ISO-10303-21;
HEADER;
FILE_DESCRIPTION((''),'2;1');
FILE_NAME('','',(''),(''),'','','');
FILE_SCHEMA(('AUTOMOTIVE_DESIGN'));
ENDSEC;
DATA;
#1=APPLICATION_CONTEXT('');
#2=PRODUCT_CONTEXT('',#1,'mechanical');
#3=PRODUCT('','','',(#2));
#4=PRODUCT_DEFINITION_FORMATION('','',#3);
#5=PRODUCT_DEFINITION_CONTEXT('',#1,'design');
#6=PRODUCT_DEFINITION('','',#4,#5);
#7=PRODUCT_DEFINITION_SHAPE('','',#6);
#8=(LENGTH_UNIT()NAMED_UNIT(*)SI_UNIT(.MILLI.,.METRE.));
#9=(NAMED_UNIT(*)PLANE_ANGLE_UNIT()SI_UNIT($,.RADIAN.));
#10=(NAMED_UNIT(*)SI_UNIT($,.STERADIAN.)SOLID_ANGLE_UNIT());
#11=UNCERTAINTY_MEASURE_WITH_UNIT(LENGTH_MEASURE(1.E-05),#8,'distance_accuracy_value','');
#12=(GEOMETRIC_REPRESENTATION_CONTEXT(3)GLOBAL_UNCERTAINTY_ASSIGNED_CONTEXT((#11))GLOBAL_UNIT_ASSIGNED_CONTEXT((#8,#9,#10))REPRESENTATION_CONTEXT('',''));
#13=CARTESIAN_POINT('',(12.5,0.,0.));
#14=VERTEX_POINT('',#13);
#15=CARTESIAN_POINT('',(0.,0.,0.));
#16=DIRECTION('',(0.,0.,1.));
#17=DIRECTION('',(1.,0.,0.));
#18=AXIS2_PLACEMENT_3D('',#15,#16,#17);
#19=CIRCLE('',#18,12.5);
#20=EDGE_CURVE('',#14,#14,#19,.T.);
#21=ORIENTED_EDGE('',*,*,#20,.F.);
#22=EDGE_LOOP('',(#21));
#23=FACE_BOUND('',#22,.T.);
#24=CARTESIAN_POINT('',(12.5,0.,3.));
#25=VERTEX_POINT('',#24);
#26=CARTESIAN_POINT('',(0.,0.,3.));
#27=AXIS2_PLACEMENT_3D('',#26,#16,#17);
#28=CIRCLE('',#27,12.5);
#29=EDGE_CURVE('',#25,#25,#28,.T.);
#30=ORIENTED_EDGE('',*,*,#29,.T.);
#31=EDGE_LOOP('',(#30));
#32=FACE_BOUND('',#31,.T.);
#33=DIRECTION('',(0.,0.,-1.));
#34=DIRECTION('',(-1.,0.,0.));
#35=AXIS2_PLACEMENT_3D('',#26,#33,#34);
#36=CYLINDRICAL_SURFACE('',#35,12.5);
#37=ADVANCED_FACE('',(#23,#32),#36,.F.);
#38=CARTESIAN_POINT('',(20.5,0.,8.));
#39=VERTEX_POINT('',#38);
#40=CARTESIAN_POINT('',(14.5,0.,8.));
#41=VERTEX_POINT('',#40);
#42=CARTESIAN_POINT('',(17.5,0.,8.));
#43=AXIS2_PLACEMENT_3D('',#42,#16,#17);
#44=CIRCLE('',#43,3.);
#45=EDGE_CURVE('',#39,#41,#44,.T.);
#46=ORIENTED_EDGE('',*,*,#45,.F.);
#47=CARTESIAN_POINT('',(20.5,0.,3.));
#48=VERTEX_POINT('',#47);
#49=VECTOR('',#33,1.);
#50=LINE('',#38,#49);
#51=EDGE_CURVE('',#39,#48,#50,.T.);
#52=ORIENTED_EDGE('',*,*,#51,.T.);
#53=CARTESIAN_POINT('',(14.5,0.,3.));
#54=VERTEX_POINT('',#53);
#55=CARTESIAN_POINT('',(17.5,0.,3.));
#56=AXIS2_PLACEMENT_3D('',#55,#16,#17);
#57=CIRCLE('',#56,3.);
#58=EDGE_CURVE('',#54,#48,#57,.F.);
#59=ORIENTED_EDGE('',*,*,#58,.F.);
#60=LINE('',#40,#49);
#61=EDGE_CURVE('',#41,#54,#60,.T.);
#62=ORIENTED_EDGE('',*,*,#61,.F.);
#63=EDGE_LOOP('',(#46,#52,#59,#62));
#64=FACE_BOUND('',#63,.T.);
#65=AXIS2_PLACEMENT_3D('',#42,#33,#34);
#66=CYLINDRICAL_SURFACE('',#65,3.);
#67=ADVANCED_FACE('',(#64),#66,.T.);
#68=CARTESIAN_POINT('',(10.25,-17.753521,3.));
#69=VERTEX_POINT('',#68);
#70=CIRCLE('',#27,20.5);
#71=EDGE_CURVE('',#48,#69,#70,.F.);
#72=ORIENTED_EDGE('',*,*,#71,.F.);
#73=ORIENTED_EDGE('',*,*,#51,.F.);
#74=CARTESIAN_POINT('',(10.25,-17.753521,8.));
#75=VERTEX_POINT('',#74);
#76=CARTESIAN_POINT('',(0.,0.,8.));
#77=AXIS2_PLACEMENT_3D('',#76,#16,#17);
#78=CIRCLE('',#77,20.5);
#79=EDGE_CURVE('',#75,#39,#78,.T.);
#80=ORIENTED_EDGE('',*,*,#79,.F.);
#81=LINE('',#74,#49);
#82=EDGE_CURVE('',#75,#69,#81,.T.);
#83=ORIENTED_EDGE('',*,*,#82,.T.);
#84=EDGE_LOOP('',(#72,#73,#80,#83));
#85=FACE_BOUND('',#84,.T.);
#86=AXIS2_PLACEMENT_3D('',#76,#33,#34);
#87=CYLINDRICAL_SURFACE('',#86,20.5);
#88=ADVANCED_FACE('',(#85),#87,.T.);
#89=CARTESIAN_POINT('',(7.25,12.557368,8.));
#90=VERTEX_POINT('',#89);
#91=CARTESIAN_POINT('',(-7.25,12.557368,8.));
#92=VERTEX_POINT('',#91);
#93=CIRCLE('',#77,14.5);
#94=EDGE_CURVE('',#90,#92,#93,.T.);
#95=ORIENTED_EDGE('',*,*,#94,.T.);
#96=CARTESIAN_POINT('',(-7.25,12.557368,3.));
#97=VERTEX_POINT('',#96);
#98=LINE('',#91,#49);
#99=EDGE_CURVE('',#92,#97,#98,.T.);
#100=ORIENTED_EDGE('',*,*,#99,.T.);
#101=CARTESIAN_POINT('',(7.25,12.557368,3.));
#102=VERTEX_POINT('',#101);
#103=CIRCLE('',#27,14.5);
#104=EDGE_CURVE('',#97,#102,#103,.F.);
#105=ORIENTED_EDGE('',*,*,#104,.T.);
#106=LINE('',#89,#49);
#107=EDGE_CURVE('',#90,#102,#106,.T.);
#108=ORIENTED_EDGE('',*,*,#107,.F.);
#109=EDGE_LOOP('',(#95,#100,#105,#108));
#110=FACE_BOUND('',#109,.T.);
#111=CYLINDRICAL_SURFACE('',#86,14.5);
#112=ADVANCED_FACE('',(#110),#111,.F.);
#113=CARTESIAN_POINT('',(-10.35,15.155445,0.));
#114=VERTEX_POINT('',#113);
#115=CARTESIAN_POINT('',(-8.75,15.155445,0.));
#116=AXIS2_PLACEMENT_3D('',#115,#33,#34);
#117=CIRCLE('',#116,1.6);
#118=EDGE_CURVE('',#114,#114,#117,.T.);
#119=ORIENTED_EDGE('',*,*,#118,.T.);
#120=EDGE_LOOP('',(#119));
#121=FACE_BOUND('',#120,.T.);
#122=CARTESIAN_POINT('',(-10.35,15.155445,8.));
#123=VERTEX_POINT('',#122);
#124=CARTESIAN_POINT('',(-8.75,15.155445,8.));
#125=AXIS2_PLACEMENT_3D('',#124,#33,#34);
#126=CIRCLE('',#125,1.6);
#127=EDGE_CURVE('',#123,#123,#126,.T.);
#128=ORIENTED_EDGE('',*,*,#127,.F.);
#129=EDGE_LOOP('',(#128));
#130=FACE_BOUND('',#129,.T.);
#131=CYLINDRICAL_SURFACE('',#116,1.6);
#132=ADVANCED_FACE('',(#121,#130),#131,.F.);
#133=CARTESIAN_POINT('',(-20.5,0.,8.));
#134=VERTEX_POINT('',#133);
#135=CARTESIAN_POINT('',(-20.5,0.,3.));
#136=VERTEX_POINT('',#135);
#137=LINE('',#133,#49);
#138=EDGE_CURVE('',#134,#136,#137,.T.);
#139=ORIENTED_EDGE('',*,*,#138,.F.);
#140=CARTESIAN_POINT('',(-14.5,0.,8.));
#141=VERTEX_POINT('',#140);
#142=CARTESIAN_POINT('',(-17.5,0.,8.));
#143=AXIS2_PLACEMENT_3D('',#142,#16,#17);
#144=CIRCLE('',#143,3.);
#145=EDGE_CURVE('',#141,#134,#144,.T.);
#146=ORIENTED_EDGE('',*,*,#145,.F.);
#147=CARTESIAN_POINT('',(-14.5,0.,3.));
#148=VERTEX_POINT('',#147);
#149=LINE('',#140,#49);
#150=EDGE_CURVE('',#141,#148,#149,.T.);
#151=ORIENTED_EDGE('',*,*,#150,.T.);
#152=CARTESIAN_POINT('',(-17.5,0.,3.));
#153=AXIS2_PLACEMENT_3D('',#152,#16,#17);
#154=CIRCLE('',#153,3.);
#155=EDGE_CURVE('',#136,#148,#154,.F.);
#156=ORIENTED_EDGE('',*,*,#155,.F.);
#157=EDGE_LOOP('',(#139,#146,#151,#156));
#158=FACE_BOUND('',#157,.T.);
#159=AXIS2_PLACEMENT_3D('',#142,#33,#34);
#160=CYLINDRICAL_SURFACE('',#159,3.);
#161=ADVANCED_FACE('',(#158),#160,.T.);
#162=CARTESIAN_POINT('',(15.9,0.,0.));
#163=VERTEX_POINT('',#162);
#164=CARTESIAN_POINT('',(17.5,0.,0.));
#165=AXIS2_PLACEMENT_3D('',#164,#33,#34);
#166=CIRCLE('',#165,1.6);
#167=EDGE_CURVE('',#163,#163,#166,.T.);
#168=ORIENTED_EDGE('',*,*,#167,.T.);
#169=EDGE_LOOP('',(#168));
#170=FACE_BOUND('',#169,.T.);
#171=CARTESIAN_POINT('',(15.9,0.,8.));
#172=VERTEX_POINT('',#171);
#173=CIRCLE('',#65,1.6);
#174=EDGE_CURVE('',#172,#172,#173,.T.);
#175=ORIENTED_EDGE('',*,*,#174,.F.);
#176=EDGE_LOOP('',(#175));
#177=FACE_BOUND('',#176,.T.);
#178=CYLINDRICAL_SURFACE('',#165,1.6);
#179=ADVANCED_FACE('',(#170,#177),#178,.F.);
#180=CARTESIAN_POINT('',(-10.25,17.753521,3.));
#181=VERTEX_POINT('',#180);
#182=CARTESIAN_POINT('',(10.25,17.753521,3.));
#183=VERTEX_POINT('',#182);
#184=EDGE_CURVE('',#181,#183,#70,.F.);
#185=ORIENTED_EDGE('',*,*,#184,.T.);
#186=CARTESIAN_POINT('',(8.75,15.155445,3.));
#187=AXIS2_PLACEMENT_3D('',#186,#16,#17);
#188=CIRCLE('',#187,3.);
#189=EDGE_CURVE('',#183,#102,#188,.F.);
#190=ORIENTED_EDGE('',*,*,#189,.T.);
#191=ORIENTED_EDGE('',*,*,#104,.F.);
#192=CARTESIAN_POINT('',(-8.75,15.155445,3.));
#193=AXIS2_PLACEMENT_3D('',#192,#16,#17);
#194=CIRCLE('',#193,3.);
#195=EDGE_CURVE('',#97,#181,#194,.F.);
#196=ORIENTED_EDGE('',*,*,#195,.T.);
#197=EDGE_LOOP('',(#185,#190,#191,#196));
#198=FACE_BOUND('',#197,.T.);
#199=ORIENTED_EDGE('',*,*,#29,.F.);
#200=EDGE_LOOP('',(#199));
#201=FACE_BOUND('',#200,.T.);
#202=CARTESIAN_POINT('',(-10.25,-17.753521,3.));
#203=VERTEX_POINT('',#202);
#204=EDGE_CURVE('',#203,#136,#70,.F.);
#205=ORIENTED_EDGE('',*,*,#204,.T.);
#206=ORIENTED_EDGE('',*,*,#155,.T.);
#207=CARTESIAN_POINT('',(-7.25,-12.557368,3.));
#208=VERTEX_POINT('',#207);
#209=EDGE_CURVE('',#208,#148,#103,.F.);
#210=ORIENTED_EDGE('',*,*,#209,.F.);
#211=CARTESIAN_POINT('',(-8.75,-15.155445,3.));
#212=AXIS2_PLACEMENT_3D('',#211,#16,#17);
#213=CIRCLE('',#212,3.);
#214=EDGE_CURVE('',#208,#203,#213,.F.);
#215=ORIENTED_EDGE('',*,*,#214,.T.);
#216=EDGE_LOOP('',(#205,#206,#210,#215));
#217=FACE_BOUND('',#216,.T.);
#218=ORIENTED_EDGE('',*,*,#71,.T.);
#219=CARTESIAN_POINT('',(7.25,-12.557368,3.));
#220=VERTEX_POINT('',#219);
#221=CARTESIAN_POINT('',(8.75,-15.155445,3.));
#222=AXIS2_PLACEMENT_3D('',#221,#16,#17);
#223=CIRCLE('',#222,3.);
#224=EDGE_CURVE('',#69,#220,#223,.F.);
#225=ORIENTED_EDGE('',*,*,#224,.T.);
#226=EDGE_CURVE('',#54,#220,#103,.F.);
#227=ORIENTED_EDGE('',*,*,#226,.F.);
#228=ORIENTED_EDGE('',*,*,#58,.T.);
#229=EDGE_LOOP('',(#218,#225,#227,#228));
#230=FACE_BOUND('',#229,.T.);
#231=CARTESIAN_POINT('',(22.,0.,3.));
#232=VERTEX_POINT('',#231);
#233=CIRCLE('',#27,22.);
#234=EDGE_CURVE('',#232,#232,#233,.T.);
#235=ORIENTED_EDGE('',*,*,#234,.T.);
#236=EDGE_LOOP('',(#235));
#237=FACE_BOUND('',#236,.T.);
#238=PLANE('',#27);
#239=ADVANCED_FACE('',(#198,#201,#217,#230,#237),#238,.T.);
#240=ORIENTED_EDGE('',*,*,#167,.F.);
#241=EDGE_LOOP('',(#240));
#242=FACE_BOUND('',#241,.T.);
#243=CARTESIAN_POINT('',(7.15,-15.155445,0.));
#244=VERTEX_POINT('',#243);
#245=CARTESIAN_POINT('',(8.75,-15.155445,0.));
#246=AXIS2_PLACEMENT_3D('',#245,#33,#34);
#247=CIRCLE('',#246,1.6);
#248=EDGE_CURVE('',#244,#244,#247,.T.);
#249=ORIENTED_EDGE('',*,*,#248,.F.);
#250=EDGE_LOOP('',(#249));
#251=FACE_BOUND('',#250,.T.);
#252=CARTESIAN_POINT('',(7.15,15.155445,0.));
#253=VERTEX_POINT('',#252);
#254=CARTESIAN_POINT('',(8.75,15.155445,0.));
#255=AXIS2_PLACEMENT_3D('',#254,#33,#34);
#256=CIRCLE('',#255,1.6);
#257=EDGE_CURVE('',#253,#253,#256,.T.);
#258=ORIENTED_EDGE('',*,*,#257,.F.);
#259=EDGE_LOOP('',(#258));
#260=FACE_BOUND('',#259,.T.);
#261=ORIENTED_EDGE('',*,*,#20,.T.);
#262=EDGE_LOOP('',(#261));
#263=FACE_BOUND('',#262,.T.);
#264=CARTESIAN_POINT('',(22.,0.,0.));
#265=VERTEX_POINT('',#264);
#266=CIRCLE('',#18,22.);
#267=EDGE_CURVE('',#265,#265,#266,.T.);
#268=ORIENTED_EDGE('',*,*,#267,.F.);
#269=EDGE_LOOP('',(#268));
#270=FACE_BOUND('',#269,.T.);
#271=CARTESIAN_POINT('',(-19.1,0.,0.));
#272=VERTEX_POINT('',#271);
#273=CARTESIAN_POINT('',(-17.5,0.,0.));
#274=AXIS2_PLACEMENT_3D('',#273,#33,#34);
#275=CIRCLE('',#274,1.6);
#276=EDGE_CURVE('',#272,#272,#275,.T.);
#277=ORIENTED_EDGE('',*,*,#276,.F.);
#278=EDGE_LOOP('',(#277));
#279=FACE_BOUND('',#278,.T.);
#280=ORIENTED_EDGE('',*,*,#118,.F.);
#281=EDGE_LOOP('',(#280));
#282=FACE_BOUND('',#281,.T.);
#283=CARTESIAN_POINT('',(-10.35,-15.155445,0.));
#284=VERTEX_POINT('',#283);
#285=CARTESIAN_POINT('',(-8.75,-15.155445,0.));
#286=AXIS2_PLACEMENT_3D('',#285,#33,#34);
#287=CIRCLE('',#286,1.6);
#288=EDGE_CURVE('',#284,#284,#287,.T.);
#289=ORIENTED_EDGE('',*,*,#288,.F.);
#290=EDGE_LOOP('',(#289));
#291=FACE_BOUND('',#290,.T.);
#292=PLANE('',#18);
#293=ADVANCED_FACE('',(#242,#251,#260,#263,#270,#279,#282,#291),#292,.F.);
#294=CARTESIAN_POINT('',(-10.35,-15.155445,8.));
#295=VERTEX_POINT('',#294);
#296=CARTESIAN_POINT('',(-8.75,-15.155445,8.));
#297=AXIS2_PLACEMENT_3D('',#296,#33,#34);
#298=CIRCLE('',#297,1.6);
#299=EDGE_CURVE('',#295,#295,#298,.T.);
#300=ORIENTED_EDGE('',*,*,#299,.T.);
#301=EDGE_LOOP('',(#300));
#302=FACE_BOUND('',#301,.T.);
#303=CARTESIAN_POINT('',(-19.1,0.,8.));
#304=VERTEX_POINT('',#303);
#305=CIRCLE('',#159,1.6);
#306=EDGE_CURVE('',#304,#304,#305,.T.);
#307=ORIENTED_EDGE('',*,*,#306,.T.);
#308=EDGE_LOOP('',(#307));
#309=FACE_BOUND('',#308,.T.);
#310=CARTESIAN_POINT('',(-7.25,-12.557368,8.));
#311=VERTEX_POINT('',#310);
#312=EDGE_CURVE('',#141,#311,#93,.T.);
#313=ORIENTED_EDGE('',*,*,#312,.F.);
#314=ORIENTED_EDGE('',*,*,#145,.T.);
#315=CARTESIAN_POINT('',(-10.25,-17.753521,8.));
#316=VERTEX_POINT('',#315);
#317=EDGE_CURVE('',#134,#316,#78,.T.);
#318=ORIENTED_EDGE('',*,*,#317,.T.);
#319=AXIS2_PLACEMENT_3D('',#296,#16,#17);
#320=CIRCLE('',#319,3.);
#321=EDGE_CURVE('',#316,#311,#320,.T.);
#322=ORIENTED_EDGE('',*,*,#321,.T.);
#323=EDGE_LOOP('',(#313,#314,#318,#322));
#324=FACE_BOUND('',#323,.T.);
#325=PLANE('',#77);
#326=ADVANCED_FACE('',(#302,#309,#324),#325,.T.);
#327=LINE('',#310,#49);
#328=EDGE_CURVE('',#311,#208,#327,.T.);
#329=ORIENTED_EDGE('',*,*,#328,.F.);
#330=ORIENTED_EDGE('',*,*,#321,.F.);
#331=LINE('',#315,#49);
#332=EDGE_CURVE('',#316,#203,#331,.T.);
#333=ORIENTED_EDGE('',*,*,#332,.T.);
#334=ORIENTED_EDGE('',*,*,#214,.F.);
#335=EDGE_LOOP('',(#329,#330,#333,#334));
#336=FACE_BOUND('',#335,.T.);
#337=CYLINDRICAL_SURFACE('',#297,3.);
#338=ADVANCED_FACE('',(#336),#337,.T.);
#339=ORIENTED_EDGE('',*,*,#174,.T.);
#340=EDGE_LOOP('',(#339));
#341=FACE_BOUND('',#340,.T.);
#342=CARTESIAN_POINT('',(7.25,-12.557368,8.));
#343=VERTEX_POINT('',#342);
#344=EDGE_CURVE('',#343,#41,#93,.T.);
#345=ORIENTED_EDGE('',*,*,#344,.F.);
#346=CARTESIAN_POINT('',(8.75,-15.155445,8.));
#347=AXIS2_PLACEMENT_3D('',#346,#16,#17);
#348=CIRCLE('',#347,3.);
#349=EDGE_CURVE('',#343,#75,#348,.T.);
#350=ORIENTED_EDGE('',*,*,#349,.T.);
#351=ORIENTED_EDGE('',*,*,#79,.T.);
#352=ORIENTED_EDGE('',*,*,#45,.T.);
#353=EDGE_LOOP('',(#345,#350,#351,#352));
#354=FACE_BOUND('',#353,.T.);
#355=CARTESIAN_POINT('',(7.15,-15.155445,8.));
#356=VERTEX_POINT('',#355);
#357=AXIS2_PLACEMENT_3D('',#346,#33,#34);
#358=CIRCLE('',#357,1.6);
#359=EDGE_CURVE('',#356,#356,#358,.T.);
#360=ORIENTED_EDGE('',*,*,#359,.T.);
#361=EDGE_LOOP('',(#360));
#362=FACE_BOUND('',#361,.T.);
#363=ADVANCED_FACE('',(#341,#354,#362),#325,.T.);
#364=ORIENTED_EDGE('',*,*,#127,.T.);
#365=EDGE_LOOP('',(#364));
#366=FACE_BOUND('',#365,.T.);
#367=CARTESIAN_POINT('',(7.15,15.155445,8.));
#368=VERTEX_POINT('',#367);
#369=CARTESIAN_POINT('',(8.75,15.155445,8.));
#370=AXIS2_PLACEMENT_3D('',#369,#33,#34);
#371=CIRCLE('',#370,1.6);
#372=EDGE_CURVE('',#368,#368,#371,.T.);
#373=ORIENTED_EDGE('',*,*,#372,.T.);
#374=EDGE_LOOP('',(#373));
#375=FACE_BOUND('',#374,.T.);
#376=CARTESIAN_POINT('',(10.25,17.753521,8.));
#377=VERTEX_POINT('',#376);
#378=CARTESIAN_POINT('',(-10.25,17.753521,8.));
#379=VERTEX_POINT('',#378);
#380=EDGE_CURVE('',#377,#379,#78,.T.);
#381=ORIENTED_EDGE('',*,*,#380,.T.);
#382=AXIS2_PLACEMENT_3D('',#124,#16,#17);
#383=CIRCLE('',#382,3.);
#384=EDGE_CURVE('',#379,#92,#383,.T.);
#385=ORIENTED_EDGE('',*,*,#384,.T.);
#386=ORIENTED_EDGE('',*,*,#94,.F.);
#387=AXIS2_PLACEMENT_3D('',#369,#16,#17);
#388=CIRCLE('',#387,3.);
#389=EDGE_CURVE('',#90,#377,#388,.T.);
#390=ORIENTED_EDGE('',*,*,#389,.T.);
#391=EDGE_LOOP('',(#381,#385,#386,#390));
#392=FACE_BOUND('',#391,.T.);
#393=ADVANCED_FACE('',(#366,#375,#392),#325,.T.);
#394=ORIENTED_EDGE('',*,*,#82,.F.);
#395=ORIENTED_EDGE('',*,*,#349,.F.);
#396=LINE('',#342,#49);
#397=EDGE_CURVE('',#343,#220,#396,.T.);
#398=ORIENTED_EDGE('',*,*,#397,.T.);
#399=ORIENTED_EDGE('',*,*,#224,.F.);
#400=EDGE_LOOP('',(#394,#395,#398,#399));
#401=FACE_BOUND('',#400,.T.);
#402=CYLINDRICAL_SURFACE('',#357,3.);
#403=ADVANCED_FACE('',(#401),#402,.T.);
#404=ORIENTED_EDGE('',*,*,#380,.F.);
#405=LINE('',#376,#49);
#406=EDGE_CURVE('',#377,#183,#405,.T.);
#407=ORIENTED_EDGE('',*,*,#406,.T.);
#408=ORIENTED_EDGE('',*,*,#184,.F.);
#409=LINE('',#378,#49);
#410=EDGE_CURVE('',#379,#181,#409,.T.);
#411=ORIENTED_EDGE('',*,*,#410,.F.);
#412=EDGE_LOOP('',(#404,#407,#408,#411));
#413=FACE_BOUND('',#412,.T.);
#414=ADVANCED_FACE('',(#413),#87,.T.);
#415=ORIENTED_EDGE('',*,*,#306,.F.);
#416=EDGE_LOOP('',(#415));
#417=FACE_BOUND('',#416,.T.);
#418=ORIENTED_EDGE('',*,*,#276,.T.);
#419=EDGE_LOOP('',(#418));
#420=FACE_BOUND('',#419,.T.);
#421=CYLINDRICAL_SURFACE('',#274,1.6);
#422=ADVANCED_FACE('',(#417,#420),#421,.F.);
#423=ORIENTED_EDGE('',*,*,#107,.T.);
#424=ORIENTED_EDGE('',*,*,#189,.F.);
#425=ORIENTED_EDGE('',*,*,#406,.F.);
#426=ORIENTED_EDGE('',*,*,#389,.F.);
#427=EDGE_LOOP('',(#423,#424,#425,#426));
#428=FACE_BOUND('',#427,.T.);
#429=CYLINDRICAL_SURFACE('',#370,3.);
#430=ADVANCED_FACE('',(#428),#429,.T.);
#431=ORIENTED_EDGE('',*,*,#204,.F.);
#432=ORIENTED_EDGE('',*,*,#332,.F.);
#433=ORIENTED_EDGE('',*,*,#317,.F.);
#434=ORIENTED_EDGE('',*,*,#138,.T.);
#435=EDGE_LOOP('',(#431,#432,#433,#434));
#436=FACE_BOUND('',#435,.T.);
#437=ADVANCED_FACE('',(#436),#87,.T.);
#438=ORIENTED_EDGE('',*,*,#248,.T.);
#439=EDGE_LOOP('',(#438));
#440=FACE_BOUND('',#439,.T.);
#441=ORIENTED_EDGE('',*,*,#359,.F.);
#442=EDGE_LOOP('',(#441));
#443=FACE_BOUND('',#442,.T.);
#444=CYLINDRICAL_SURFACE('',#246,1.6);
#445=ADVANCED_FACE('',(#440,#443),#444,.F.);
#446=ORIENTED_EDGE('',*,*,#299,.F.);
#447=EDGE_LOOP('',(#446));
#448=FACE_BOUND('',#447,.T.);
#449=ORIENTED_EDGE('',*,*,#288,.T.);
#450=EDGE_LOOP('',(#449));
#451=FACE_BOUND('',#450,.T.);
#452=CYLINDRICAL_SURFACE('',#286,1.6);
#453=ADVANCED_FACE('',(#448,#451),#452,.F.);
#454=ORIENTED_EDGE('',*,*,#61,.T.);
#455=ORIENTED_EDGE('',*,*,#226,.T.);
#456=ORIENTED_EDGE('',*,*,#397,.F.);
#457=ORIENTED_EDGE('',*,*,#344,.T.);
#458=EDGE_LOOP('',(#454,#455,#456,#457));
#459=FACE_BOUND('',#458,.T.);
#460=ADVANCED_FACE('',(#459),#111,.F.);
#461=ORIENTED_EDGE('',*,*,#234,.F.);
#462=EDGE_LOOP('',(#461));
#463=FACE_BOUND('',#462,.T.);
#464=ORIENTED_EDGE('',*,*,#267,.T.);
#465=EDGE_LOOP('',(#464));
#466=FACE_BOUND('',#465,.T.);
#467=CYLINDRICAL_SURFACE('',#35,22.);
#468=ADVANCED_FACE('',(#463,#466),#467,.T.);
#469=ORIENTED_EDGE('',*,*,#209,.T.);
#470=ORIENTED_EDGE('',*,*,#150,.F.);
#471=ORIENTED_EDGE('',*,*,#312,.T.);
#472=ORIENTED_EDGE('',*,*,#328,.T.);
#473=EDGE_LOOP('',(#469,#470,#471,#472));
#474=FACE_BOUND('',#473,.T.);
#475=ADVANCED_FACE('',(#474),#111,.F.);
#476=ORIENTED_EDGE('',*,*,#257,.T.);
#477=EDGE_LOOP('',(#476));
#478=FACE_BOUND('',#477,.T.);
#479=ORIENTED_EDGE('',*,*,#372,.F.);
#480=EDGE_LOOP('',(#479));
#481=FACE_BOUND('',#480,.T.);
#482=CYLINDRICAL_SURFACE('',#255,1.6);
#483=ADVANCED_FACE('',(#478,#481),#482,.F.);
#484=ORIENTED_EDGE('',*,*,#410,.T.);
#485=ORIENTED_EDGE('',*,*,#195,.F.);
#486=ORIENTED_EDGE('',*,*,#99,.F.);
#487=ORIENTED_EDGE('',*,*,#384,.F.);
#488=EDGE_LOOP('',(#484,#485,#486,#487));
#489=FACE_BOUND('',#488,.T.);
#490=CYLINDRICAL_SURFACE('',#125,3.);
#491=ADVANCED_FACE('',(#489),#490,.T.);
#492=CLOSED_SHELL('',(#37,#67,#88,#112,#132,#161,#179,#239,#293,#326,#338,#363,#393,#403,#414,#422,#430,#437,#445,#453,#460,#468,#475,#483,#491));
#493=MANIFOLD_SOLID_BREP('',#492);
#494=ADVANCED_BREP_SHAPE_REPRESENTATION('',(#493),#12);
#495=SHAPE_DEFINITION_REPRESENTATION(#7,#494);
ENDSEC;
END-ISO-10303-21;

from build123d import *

# Parameters (mm, degrees)
SKETCH_1_R         = 22
SKETCH_1_R_2       = 12.5
EXTRUDE_1_DEPTH    = 3
EXTRUDE_2_DEPTH    = 8
HOLE_WIZARD_M3_1_D = 3.2


with BuildPart() as part:
    # ｽｹｯﾁ1 → ﾎﾞｽ - 押し出し1 (new body)
    with BuildSketch(Plane.XY):
        Circle(SKETCH_1_R)
        Circle(SKETCH_1_R_2, mode=Mode.SUBTRACT)
    extrude(amount=EXTRUDE_1_DEPTH)

    # ｽｹｯﾁ1<4> → ﾎﾞｽ - 押し出し2 (add)
    with BuildSketch(Plane.XY):
        with BuildLine():
            ThreePointArc((-20.5, 0), (-17.753520778, -10.25), (-10.25, -17.753520778))
            ThreePointArc((-10.25, -17.753520778), (-6.151923789, -16.655444566), (-7.25, -12.557368355))
            ThreePointArc((-7.25, -12.557368355), (-12.557368355, -7.25), (-14.5, 0))
            ThreePointArc((-14.5, 0), (-17.5, 3), (-20.5, 0))
        make_face()
        with BuildLine():
            ThreePointArc((10.25, 17.753520778), (0, 20.5), (-10.25, 17.753520778))
            ThreePointArc((-10.25, 17.753520778), (-11.348076211, 13.655444566), (-7.25, 12.557368355))
            ThreePointArc((-7.25, 12.557368355), (0, 14.5), (7.25, 12.557368355))
            ThreePointArc((7.25, 12.557368355), (11.348076211, 13.655444566), (10.25, 17.753520778))
        make_face()
        with BuildLine():
            ThreePointArc((10.25, -17.753520778), (17.753520778, -10.25), (20.5, 0))
            ThreePointArc((20.5, 0), (17.5, 3), (14.5, 0))
            ThreePointArc((14.5, 0), (12.557368355, -7.25), (7.25, -12.557368355))
            ThreePointArc((7.25, -12.557368355), (6.151923789, -16.655444566), (10.25, -17.753520778))
        make_face()
    extrude(amount=EXTRUDE_2_DEPTH)

    # M3 すきま穴1 (through all)
    with Locations(Plane(origin=(8.75, 15.155444566, 0), x_dir=(-1, 0, 0), z_dir=(0, 0, -1))):
        with Locations((0, 0), (-8.75, -15.155444566), (0, -30.310889132), (17.5, -30.310889132), (26.25, -15.155444566), (17.5, 0)):
            Hole(HOLE_WIZARD_M3_1_D / 2)


solid = part.part
